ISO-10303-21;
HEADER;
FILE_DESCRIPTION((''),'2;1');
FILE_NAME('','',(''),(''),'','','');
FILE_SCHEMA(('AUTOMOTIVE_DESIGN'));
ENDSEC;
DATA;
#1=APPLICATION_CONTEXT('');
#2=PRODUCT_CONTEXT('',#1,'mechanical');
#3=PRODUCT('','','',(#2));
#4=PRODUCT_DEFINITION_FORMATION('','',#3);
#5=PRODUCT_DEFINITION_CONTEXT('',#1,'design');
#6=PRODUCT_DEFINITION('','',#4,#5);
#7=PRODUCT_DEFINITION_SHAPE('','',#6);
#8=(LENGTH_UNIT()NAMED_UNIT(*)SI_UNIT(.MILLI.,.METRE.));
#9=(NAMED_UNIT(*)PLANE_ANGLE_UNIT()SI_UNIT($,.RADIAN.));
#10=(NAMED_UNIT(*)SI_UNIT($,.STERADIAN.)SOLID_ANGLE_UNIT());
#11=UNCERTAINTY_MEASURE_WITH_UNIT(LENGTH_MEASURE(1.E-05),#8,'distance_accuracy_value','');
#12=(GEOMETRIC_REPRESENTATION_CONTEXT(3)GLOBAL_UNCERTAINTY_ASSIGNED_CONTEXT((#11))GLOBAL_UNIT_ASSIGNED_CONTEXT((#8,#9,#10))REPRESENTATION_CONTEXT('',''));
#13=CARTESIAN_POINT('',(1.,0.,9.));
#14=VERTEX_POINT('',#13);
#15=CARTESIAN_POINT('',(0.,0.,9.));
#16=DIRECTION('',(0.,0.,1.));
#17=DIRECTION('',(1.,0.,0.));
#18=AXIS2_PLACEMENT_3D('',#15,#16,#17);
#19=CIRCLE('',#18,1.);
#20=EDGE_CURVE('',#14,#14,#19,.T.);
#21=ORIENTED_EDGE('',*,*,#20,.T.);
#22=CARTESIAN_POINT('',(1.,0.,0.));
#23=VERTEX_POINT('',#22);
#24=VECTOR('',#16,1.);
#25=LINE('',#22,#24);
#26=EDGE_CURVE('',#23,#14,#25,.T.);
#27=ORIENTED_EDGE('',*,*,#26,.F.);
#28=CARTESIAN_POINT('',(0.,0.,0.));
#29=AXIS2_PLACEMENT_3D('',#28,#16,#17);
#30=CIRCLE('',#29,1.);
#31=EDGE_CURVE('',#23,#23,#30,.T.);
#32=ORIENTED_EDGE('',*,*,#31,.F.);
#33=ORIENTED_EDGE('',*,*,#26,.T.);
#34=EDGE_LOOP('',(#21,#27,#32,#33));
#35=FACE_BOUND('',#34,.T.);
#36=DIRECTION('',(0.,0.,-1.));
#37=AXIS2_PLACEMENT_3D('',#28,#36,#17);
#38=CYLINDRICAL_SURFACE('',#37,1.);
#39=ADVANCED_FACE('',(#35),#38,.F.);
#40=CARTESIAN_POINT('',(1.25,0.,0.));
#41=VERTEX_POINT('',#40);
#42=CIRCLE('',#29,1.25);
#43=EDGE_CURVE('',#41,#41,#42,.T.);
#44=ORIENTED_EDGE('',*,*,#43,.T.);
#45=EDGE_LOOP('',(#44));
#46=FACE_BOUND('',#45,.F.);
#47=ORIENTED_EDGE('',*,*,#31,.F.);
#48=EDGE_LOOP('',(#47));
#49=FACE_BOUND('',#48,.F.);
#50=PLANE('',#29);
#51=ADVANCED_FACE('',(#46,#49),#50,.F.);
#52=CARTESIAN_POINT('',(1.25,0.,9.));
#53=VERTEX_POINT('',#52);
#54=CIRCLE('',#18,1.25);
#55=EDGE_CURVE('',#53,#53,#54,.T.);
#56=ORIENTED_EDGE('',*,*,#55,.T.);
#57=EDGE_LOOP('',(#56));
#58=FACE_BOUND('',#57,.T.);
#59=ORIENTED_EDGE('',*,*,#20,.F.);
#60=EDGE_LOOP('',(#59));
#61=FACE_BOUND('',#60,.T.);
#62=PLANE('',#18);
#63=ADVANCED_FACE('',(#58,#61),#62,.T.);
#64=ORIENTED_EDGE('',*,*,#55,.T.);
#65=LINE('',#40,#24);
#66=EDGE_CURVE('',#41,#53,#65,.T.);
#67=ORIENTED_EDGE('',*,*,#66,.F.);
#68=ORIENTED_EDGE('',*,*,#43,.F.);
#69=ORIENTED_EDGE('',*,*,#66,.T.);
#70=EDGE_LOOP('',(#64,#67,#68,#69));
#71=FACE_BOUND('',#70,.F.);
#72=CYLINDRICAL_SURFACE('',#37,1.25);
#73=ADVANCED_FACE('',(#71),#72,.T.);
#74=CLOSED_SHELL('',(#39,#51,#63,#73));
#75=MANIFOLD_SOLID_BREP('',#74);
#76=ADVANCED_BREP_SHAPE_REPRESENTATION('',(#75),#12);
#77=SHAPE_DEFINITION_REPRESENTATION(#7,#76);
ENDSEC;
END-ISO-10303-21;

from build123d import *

# Parameters (mm, degrees)
SKETCH1_R           = 1.25
SKETCH1_R_2         = 1
TUBE_DIP_BODY_DEPTH = 9


with BuildPart() as part:
    # Sketch1 → Tube DIP Body (new body)
    with BuildSketch(Plane.XY):
        Circle(SKETCH1_R)
        Circle(SKETCH1_R_2, mode=Mode.SUBTRACT)
    extrude(amount=TUBE_DIP_BODY_DEPTH)


solid = part.part
